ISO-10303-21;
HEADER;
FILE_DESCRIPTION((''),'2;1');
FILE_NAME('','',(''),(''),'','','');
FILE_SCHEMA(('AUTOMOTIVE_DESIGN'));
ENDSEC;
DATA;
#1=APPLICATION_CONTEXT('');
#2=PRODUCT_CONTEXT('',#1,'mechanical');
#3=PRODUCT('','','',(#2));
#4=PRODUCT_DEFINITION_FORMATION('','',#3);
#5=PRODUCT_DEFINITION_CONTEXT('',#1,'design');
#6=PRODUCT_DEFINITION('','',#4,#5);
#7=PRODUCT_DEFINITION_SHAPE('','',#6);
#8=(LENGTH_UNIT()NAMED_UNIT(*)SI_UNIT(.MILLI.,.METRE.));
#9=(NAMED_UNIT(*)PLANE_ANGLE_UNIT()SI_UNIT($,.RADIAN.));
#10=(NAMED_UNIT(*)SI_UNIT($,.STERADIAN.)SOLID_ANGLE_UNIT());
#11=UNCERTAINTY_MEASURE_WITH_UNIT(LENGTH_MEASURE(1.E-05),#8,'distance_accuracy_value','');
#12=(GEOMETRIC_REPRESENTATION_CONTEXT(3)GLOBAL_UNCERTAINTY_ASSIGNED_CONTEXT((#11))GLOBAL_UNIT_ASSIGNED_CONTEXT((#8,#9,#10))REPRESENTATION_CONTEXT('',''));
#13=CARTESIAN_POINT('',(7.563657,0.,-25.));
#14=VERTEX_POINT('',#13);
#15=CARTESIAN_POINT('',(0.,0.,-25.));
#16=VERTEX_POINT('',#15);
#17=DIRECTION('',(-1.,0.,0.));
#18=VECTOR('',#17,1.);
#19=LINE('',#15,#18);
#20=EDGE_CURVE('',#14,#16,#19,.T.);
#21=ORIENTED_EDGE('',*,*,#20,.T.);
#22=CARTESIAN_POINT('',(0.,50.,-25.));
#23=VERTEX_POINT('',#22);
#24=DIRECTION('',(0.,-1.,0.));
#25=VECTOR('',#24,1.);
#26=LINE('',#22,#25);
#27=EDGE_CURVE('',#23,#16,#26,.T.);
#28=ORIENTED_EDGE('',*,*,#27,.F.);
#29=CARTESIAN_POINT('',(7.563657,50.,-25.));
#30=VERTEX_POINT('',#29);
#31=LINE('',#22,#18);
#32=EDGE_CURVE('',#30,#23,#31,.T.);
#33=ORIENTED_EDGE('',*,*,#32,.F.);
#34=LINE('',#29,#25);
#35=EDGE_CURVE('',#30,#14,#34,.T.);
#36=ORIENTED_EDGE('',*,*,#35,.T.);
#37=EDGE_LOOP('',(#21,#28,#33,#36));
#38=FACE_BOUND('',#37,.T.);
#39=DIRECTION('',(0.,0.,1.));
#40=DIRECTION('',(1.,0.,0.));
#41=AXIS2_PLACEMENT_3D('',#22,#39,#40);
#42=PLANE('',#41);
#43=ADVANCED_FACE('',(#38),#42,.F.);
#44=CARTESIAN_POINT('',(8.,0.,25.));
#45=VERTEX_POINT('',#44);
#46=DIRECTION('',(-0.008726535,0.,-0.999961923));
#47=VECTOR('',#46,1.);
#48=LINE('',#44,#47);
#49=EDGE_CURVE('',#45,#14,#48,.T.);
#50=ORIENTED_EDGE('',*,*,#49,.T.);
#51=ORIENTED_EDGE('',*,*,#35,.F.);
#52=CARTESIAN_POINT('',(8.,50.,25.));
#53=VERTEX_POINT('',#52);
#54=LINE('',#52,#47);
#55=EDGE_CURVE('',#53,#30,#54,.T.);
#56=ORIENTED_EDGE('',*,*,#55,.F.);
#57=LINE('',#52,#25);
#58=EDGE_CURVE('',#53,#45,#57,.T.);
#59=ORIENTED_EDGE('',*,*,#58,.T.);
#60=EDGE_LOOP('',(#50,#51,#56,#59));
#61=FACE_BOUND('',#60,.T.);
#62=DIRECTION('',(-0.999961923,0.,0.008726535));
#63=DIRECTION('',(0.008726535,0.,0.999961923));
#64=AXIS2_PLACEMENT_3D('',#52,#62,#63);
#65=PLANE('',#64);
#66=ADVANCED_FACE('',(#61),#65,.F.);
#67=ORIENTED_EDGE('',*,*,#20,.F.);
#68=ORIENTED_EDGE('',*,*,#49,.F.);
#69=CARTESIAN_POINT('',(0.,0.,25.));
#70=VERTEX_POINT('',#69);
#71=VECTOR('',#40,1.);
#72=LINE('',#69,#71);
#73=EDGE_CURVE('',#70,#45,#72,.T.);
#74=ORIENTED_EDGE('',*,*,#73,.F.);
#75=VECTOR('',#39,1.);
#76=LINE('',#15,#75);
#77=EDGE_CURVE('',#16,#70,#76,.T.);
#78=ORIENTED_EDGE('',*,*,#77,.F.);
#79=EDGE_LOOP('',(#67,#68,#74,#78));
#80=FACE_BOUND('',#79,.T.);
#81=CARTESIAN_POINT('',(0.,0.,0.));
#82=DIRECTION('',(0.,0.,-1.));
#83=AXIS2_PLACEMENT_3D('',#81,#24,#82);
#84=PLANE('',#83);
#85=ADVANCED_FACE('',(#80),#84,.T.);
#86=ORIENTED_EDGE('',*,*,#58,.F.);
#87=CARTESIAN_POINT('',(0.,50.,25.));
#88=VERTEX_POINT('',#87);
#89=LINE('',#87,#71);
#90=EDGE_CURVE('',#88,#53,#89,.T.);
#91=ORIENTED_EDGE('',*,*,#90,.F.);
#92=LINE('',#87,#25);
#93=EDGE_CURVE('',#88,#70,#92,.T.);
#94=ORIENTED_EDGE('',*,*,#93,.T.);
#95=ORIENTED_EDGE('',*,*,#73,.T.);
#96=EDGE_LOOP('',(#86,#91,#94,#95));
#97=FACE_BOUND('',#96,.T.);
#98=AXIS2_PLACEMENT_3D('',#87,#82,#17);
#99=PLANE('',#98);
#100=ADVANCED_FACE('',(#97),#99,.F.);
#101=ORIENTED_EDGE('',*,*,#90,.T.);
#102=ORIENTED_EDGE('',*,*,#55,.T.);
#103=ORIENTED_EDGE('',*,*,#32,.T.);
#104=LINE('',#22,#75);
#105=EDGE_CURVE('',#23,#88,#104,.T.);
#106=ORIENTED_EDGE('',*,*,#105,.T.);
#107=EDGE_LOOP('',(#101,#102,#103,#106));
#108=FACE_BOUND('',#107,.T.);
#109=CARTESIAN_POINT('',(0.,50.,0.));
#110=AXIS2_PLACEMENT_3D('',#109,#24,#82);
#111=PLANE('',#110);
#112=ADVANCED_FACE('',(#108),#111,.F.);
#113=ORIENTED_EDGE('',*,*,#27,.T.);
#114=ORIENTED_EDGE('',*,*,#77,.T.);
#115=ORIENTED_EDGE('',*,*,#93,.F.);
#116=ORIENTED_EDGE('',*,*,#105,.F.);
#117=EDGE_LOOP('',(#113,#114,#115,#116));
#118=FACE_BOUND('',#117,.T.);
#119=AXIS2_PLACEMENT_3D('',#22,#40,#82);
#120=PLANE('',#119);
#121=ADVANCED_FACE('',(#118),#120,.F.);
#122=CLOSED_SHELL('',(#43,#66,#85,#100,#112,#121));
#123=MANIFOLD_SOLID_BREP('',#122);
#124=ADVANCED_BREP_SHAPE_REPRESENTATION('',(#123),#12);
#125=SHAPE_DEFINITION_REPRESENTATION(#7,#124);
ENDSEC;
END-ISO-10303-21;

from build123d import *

# Parameters (mm, degrees)
EXTRUDE_1_DEPTH = 50


with BuildPart() as part:
    # 草图1 → 凸台-拉伸1 (new body)
    with BuildSketch(Plane(origin=(0, 0, 0), x_dir=(1, 0, 0), z_dir=(0, 1, 0))):
        Polygon((0, 25), (0, -25), (8, -25), (7.56365661, 25), align=None)
    extrude(amount=EXTRUDE_1_DEPTH)


solid = part.part
